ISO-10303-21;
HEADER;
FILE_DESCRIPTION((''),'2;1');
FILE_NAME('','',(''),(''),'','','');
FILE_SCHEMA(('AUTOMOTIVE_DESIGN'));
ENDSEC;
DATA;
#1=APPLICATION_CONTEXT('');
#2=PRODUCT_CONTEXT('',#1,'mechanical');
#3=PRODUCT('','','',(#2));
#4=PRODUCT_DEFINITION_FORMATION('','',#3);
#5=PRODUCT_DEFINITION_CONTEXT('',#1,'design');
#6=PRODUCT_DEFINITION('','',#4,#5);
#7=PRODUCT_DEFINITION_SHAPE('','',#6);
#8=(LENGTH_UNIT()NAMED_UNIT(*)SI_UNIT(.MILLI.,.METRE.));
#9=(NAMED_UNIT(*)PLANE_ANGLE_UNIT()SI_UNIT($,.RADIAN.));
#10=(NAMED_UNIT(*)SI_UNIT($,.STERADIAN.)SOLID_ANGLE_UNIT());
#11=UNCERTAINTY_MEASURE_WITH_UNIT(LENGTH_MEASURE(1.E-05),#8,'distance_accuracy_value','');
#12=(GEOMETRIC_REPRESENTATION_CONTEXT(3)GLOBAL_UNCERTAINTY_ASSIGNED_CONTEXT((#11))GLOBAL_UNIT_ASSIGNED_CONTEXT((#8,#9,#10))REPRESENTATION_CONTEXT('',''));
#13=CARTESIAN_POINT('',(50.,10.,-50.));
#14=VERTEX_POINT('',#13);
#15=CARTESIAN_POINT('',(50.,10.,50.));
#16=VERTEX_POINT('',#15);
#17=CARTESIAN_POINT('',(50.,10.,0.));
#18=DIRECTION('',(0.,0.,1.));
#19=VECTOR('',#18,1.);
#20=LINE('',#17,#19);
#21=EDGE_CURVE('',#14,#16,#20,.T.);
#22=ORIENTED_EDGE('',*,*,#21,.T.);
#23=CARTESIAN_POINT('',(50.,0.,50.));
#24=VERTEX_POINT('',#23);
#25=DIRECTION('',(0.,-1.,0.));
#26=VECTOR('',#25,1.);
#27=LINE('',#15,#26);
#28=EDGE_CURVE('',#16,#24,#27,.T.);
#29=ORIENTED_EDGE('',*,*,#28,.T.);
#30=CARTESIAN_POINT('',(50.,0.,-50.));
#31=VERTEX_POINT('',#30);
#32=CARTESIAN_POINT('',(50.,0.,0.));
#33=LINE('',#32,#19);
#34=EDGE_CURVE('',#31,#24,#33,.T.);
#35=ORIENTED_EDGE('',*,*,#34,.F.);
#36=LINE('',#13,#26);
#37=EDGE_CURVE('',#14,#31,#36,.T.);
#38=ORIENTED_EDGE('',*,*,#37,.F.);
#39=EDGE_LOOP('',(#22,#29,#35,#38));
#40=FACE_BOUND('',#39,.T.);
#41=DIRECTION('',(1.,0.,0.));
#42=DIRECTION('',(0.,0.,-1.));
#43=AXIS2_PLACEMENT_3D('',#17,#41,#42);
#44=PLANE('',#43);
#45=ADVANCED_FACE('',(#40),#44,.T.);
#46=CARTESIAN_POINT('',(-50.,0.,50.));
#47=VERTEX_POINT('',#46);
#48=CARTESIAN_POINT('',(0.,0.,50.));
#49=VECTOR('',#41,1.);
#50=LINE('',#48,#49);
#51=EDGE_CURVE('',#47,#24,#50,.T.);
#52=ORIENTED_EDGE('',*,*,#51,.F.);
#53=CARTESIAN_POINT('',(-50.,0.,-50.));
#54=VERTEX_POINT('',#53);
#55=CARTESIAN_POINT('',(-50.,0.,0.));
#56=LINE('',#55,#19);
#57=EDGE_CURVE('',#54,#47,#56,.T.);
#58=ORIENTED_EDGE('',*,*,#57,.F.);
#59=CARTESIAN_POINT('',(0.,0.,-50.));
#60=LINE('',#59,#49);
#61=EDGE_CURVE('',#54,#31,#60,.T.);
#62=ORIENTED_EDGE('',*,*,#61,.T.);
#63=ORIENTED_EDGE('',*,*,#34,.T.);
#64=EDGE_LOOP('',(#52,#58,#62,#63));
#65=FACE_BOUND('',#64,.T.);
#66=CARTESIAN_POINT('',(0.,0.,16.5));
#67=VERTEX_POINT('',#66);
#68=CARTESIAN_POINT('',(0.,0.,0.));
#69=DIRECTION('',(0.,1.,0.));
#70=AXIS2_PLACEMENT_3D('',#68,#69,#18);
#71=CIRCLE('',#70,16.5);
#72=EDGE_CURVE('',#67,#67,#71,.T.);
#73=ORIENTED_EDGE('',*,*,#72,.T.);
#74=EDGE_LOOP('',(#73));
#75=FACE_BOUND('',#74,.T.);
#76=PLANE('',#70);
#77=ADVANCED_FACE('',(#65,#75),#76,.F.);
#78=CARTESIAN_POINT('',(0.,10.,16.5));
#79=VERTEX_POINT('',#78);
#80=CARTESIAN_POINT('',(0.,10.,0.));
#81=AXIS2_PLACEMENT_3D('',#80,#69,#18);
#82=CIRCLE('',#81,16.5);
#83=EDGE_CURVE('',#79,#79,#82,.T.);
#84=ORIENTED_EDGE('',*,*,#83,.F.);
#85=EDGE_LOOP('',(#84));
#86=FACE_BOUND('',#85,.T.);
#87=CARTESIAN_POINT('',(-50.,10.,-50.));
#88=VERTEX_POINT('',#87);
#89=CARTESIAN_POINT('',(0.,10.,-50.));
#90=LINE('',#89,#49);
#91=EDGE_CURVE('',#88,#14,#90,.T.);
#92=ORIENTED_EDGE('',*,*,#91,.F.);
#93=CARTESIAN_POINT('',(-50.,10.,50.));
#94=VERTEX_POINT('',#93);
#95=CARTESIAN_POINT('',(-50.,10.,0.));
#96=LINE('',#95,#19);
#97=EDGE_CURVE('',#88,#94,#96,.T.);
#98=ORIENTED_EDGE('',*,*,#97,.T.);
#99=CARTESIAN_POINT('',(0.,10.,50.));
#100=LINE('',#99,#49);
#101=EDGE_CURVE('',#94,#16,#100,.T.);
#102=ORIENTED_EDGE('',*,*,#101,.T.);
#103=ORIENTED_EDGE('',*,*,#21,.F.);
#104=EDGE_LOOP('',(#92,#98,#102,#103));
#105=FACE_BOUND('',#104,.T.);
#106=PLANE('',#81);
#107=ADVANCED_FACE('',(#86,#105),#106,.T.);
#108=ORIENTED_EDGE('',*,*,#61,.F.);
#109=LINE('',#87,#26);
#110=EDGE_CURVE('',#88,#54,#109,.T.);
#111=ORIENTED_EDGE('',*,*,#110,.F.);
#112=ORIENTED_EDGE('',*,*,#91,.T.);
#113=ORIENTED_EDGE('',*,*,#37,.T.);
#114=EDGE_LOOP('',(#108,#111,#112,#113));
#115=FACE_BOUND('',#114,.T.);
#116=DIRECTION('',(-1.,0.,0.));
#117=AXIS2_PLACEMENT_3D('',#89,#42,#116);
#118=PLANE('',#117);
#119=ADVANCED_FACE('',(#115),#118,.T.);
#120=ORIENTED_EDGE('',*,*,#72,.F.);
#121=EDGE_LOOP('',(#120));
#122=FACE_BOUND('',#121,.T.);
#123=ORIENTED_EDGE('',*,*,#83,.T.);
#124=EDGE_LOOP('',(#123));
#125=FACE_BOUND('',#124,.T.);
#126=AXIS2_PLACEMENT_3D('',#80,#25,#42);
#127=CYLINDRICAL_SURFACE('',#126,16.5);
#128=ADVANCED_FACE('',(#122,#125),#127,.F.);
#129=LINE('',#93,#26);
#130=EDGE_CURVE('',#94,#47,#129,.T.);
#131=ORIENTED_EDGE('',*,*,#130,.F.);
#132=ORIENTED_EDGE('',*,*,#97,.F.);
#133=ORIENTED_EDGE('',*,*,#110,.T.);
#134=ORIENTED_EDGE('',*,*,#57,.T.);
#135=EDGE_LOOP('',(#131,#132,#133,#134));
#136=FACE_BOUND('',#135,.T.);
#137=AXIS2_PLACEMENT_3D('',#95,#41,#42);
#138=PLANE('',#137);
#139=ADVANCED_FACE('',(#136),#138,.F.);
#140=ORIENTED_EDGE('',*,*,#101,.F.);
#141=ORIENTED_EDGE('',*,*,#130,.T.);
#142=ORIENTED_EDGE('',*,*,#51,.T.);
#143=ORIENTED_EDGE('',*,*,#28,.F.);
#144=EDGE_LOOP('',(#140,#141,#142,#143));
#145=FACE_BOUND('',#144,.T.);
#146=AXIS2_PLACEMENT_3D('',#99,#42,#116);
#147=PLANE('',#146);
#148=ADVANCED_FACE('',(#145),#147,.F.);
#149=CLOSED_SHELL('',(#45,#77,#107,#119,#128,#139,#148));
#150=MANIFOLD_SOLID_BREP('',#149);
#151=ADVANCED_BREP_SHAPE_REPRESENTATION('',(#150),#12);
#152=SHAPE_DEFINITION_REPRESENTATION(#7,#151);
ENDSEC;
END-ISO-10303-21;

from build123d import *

# Parameters (mm, degrees)
SKETCH1_W           = 100
SKETCH1_H           = 100
SKETCH1_R           = 19
SKETCH1_R_2         = 16.5
BOSS_EXTRUDE1_DEPTH = 10


with BuildPart() as part:
    # Sketch1 → Boss-Extrude1 (new body)
    # profile 1 of 2: a face of its own
    with BuildSketch(Plane(origin=(0, 0, 0), x_dir=(1, 0, 0), z_dir=(0, 1, 0))):
        Rectangle(SKETCH1_W, SKETCH1_H)
        Circle(SKETCH1_R, mode=Mode.SUBTRACT)
    # profile 2 of 2: a face of its own
    with BuildSketch(Plane(origin=(0, 0, 0), x_dir=(1, 0, 0), z_dir=(0, 1, 0))):
        Circle(SKETCH1_R)
        with Locations(Location((0, 0, 0), (0, 0, 270))):
            Circle(SKETCH1_R_2, mode=Mode.SUBTRACT)
    extrude(amount=BOSS_EXTRUDE1_DEPTH)


solid = part.part
